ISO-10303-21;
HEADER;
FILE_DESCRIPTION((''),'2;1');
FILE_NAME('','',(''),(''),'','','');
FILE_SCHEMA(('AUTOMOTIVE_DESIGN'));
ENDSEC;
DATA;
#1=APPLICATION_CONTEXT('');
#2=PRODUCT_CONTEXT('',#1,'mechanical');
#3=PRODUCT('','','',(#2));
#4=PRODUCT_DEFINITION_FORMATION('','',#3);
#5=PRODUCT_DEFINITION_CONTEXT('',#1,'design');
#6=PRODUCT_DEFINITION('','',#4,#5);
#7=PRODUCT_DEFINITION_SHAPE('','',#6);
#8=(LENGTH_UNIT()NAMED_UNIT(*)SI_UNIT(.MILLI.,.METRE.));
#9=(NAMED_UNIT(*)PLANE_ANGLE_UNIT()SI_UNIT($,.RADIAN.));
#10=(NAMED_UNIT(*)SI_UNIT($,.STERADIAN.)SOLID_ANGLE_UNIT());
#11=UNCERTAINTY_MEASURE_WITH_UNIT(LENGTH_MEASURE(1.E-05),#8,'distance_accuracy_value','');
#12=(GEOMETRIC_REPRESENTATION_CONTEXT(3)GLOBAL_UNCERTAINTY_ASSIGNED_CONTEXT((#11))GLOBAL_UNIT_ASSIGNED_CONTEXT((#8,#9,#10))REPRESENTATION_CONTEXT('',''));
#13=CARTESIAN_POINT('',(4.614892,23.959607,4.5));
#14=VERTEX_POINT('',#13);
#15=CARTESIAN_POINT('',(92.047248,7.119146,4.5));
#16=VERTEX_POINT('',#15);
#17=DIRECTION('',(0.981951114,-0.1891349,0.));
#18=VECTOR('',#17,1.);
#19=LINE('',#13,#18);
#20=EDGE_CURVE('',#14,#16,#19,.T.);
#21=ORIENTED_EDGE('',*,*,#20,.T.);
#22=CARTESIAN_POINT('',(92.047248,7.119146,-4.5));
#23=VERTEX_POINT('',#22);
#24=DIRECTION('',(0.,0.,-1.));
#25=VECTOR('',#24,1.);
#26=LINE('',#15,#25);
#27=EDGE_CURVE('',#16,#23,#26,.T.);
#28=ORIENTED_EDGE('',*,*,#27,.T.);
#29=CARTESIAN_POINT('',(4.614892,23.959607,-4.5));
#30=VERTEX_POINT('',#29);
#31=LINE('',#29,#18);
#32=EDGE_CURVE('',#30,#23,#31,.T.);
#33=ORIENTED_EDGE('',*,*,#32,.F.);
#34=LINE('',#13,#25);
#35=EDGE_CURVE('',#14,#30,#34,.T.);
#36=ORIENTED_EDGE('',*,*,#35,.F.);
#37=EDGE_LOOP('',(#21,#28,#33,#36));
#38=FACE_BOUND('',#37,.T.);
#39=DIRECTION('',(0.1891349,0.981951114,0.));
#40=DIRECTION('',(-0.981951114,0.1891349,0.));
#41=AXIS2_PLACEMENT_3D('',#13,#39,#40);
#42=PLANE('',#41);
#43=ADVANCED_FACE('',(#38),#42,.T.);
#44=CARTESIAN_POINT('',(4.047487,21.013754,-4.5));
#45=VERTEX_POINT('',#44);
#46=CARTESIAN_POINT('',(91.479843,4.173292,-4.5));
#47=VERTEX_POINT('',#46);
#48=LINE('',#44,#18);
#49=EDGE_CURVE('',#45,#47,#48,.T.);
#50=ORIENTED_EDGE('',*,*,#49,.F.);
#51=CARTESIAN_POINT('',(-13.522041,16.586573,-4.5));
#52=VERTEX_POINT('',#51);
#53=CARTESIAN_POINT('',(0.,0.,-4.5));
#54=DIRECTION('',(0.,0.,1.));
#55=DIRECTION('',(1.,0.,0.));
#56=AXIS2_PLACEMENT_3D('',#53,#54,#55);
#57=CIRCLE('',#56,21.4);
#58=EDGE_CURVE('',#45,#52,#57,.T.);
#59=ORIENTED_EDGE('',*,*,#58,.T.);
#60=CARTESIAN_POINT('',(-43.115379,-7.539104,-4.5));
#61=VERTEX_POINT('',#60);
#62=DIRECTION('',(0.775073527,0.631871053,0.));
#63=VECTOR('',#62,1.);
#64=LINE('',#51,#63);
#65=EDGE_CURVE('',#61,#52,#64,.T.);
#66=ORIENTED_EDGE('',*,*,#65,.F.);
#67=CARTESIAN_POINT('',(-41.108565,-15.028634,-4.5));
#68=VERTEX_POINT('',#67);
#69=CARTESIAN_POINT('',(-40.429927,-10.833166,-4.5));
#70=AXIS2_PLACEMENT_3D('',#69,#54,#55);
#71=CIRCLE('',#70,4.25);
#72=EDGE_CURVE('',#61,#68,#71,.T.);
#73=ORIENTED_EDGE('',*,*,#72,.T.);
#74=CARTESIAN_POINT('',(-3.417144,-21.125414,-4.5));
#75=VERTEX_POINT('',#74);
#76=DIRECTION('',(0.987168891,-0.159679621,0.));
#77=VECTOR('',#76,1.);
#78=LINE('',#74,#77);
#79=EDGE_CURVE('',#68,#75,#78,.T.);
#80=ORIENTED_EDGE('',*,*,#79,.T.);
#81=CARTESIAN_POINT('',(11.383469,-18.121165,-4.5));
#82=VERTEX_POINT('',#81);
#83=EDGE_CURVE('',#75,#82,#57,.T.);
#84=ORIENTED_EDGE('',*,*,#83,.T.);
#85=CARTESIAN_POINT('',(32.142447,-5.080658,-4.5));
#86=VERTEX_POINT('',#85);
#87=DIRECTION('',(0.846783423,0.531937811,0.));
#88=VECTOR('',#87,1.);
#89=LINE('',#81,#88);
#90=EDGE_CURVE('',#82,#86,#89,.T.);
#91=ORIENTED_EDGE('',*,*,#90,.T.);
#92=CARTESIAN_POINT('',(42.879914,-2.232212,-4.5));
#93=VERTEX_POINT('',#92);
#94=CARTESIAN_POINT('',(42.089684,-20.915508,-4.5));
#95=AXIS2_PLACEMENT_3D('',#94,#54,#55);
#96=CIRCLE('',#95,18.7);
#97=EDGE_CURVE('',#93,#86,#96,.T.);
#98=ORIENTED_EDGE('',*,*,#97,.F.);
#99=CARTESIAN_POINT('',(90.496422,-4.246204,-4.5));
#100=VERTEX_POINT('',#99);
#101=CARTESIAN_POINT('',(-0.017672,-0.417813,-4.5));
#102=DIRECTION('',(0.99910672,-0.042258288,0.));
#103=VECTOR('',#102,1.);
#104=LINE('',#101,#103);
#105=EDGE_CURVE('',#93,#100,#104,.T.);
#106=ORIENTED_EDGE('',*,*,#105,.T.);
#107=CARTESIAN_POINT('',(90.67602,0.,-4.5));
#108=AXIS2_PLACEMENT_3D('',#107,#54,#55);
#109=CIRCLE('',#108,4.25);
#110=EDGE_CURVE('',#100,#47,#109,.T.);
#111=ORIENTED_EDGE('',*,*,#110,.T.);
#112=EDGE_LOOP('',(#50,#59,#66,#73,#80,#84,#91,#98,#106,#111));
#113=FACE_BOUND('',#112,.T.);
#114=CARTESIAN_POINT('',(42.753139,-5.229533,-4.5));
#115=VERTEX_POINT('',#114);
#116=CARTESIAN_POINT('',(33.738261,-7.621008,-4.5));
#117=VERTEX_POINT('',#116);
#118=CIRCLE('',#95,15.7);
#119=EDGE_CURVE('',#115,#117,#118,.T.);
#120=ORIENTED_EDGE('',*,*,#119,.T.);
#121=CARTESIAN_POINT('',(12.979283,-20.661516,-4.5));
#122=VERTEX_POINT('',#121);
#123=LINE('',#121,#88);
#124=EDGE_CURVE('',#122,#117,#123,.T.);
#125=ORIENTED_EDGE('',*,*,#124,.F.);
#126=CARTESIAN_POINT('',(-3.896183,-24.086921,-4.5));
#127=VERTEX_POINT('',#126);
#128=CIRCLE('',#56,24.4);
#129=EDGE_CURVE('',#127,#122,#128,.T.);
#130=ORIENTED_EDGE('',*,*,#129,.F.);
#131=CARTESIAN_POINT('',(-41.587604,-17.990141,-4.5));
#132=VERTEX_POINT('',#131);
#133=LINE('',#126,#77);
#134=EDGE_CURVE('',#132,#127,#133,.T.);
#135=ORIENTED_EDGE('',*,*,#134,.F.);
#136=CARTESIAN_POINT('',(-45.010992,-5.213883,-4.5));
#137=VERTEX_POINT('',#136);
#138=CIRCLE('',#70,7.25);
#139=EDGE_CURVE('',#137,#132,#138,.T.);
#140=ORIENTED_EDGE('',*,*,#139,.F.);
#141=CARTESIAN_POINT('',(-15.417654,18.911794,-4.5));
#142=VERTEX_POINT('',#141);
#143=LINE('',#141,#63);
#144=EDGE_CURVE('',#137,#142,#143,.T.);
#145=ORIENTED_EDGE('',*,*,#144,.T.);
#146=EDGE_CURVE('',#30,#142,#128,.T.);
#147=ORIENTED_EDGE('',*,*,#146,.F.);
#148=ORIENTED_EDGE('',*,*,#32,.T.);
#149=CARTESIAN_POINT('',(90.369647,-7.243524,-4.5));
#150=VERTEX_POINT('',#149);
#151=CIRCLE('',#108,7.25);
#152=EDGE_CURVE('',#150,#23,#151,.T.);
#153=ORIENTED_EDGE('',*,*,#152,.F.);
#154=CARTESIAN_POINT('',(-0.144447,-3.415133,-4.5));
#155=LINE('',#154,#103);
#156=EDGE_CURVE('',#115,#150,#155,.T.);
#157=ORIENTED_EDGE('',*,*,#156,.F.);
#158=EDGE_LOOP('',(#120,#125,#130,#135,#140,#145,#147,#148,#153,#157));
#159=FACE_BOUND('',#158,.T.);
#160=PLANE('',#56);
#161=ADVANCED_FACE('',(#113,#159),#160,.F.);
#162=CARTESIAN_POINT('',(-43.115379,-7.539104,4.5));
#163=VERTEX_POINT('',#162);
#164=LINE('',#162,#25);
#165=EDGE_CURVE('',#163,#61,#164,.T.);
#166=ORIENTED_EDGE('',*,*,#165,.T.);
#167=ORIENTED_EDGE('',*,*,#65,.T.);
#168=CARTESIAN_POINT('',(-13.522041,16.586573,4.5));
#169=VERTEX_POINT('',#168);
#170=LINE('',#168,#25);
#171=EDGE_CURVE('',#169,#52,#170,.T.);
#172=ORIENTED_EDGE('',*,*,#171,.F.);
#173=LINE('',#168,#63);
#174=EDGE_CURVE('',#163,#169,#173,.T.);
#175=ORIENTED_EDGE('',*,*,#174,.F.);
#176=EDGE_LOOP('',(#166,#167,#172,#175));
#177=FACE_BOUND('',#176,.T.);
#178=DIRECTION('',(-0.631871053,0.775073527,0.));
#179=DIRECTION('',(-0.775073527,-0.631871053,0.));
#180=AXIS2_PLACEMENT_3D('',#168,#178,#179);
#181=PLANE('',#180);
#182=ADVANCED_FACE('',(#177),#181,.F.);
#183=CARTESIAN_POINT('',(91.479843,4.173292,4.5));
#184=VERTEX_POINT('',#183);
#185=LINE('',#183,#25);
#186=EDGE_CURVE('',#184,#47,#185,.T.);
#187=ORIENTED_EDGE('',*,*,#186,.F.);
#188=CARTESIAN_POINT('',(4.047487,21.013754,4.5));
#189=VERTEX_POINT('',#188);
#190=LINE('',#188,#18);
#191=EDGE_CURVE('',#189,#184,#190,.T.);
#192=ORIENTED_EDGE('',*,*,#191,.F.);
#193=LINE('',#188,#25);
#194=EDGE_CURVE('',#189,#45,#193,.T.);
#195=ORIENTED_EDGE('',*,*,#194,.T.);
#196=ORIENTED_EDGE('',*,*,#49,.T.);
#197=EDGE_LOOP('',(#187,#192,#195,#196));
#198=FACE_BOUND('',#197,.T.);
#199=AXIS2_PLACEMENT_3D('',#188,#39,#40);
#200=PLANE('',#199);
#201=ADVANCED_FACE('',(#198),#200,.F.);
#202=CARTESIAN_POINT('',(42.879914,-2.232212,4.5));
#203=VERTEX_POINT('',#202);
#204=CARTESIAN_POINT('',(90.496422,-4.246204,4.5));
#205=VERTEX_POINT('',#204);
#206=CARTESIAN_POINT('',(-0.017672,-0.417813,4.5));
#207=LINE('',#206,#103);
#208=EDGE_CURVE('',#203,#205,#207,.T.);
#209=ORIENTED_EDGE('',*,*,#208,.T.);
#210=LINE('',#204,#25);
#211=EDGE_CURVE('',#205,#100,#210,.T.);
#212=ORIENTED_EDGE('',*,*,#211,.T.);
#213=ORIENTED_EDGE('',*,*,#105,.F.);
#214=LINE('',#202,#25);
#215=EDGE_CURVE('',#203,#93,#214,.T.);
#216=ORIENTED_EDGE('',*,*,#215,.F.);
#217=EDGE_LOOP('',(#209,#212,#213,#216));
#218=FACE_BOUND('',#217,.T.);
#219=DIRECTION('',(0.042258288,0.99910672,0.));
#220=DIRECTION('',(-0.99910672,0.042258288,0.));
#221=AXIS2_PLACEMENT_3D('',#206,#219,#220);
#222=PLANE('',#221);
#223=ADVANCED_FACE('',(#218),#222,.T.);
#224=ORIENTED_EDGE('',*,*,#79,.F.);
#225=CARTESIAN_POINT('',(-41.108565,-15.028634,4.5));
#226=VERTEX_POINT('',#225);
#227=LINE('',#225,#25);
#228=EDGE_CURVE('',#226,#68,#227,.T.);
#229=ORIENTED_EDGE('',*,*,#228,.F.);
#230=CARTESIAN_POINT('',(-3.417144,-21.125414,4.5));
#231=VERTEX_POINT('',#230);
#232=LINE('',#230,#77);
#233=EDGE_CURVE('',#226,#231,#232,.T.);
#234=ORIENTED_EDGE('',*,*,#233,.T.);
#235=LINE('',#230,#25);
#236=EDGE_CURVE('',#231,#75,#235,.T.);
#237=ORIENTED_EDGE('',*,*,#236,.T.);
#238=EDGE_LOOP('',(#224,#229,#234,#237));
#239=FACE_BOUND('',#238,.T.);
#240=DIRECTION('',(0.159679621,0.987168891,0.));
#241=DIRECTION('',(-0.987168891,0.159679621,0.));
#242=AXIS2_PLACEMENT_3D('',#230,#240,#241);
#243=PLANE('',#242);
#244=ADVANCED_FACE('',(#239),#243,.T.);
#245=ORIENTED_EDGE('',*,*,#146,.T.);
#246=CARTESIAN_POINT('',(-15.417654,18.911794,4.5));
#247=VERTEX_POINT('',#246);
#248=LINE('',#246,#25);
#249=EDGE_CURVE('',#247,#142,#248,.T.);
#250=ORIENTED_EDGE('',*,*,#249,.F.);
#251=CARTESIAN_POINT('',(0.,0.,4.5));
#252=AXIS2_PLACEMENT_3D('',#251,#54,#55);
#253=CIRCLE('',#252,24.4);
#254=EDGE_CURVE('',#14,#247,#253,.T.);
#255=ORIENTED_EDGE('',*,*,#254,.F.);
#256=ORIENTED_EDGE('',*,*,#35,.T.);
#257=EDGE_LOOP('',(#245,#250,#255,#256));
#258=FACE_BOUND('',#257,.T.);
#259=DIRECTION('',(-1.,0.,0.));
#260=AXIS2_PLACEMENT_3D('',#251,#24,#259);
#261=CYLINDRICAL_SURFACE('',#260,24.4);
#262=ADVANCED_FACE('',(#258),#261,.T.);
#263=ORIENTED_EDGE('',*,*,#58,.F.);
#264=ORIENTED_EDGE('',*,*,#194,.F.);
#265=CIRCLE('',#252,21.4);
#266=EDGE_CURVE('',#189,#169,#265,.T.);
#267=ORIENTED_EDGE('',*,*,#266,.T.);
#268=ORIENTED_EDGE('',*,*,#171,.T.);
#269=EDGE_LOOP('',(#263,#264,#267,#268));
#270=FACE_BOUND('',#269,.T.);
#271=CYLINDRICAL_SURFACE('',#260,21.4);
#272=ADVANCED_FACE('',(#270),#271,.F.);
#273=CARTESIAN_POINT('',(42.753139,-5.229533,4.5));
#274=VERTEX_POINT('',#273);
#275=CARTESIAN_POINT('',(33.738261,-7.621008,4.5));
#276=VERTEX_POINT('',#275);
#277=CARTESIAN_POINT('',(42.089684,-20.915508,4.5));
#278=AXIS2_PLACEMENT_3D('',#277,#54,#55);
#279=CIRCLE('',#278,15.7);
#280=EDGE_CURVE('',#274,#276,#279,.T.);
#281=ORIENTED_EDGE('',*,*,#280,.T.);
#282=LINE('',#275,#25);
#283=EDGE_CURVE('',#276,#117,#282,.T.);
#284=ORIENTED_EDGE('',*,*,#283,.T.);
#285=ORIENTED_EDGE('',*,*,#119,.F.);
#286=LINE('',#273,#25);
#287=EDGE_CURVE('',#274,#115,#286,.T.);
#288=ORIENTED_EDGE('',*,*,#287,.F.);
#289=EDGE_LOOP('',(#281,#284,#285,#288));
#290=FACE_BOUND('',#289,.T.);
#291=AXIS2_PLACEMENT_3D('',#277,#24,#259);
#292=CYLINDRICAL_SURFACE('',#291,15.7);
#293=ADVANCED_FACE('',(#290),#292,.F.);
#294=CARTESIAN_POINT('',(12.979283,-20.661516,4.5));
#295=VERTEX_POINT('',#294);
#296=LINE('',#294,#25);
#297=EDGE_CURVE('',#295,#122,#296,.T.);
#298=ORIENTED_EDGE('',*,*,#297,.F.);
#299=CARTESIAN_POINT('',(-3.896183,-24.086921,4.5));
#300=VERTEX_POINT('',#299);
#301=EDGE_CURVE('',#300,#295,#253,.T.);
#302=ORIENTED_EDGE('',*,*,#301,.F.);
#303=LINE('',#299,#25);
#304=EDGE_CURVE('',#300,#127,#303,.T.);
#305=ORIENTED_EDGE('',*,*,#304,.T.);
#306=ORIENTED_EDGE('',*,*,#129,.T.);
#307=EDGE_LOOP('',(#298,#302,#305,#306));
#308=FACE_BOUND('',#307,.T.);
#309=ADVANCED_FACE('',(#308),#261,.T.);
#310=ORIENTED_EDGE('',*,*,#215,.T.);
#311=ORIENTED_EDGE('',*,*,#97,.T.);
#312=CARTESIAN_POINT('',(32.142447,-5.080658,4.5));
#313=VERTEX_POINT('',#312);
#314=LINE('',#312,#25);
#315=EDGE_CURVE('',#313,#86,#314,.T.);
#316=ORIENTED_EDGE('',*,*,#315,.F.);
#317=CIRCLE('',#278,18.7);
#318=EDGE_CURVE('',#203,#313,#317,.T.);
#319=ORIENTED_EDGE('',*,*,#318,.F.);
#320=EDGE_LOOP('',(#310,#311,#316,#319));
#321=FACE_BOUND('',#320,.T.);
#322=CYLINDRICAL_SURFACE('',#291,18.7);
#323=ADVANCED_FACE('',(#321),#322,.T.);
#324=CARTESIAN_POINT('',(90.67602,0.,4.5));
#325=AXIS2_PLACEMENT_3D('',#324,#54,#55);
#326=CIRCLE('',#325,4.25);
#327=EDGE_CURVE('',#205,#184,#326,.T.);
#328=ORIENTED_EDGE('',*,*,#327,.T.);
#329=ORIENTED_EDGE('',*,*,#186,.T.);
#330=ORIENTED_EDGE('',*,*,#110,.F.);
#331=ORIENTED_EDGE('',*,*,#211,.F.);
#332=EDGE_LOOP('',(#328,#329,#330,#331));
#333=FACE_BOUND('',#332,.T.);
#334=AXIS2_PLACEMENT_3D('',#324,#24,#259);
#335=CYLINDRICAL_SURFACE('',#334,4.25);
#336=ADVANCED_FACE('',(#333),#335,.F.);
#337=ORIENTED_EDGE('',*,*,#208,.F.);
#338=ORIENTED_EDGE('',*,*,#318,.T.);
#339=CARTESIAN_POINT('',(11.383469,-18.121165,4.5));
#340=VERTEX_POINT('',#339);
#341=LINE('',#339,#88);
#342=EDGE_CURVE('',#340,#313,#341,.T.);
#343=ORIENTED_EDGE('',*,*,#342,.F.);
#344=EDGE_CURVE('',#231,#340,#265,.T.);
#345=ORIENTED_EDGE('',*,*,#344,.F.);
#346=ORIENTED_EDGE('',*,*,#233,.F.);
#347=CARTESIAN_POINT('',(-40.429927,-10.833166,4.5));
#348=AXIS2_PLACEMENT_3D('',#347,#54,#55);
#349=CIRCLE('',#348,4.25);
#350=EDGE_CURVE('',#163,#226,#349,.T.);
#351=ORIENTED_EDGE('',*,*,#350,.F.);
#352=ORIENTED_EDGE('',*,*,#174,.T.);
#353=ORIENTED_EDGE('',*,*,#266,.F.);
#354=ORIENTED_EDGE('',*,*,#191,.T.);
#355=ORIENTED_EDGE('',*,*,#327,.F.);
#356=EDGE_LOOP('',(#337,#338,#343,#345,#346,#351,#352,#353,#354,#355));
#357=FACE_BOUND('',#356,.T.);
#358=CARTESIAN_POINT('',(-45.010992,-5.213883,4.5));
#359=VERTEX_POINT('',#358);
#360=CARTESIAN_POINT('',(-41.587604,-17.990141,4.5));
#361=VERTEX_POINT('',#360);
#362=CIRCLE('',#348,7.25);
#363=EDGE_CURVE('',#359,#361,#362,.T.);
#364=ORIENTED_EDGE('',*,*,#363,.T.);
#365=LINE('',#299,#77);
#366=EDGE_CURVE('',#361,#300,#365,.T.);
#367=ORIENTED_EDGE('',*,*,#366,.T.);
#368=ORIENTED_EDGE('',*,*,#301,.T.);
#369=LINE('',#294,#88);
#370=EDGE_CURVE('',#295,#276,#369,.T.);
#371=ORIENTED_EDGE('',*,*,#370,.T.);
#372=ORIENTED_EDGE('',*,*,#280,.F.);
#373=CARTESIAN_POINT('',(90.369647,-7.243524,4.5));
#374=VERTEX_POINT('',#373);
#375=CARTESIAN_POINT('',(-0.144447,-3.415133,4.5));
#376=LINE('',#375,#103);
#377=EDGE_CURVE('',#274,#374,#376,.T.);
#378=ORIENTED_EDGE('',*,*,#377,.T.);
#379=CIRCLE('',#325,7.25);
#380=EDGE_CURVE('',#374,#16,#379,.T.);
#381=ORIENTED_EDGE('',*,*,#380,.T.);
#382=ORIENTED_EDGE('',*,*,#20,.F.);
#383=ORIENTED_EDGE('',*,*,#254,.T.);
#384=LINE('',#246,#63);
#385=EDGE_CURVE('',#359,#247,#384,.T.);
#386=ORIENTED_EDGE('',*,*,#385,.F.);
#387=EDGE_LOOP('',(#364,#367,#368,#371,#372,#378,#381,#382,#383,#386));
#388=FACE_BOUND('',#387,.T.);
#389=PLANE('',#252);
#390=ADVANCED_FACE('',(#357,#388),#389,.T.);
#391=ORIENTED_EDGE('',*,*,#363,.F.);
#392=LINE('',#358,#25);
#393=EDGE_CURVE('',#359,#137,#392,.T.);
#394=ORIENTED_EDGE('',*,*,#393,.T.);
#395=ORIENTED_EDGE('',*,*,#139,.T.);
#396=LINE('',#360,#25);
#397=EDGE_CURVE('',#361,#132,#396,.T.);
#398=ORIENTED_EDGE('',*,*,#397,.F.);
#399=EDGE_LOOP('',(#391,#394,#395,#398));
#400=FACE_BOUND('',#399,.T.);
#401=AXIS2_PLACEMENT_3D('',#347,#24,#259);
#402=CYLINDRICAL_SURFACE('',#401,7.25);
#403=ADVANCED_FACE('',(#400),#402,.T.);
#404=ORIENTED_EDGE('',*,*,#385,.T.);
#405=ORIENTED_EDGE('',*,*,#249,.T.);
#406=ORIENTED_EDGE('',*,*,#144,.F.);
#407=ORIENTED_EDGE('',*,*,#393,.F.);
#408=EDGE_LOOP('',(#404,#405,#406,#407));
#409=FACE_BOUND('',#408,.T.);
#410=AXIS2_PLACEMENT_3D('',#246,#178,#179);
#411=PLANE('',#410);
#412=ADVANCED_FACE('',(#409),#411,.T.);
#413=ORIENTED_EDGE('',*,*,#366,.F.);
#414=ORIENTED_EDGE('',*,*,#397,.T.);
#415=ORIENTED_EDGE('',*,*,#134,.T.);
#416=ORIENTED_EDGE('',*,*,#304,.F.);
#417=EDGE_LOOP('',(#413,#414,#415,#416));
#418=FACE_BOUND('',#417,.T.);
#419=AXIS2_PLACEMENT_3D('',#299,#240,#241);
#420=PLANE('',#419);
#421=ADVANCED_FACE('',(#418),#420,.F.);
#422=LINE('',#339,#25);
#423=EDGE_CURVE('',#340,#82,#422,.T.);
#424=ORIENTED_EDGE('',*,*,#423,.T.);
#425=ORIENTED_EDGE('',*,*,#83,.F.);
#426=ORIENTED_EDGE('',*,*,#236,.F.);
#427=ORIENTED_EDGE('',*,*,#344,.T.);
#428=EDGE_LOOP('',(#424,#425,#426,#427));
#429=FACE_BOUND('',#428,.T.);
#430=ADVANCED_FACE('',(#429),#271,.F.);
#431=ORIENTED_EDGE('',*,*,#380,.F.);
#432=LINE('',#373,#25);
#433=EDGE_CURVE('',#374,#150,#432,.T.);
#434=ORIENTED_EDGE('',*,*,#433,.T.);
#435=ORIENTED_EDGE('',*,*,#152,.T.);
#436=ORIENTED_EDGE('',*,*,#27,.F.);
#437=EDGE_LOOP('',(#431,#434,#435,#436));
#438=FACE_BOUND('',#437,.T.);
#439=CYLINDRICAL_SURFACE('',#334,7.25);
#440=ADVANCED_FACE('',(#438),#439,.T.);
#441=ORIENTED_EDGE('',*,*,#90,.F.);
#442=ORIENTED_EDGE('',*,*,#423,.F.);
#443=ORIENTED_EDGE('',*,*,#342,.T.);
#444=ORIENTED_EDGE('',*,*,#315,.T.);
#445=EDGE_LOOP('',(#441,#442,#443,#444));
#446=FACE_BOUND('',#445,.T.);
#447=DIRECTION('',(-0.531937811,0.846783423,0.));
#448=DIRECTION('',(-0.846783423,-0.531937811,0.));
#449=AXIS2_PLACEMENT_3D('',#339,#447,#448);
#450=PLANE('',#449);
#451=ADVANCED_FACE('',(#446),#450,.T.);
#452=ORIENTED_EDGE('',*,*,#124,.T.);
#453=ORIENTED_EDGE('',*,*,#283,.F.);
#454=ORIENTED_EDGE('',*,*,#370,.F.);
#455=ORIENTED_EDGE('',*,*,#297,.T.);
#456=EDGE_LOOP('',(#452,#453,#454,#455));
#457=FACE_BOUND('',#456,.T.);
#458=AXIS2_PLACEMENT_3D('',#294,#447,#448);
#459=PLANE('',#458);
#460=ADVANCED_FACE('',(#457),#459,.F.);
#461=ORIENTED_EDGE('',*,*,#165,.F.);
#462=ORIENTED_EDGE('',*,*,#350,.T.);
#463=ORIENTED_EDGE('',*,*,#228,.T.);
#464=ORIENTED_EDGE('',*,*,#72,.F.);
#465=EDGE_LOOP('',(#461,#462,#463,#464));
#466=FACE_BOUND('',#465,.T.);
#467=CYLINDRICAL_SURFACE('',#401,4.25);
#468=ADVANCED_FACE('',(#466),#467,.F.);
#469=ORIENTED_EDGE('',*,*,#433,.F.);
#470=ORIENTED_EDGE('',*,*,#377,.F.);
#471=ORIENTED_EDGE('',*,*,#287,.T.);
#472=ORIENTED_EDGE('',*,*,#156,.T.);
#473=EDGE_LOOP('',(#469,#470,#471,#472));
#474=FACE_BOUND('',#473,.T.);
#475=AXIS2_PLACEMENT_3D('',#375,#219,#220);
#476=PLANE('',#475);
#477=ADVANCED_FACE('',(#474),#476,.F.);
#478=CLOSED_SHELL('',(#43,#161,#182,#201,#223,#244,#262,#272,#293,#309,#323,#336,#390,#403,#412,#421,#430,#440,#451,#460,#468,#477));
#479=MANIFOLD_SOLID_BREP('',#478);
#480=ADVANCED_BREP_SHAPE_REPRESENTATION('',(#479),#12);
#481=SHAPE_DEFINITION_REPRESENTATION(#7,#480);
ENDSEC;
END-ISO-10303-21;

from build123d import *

# Parameters (mm, degrees)
RESSALTO_EXTRUS_O1_DEPTH = 4.5


with BuildPart() as part:
    # Esboço1 → Ressalto-extrusão1 (new body, symmetric)
    with BuildSketch(Plane.XY):
        with BuildLine():
            ThreePointArc((90.369647409, -7.243523717), (97.877064824, -0.841102514), (92.047248027, 7.119145574))
            Line((92.047248027, 7.119145574), (4.614891567, 23.959607172))
            ThreePointArc((4.614891567, 23.959607172), (-5.96196459, 23.660409511), (-15.417653704, 18.911794052))
            Line((-15.417653704, 18.911794052), (-45.010991752, -5.213883118))
            ThreePointArc((-45.010991752, -5.213883118), (-47.432888855, -12.709604263), (-41.587603866, -17.990140644))
            Line((-41.587603866, -17.990140644), (-3.896182749, -24.086920932))
            ThreePointArc((-3.896182749, -24.086920932), (4.853764128, -23.912360272), (12.979282584, -20.661515521))
            Line((12.979282584, -20.661515521), (33.738260666, -7.621008284))
            ThreePointArc((33.738260666, -7.621008284), (38.064016153, -5.740396954), (42.753139424, -5.229532527))
            Line((42.753139424, -5.229532527), (90.369647409, -7.243523717))
        make_face()
        with BuildLine():
            ThreePointArc((-13.522040544, 16.586573471), (-5.228936157, 20.751342768), (4.047486866, 21.013753831))
            Line((4.047486866, 21.013753831), (91.479843326, 4.173292233))
            ThreePointArc((91.479843326, 4.173292233), (94.897322138, -0.493060095), (90.496422274, -4.246203558))
            Line((90.496422274, -4.246203558), (42.87991429, -2.232212369))
            ThreePointArc((42.87991429, -2.232212369), (37.294780203, -2.840694201), (32.142447233, -5.080658015))
            Line((32.142447233, -5.080658015), (11.383469151, -18.121165252))
            ThreePointArc((11.383469151, -18.121165252), (4.25698985, -20.972315976), (-3.417143886, -21.12541426))
            Line((-3.417143886, -21.12541426), (-41.108565003, -15.028633972))
            ThreePointArc((-41.108565003, -15.028633972), (-44.535111376, -11.933147128), (-43.115378592, -7.539103698))
            Line((-43.115378592, -7.539103698), (-13.522040544, 16.586573471))
        make_face(mode=Mode.SUBTRACT)
    extrude(amount=RESSALTO_EXTRUS_O1_DEPTH, both=True)


solid = part.part
